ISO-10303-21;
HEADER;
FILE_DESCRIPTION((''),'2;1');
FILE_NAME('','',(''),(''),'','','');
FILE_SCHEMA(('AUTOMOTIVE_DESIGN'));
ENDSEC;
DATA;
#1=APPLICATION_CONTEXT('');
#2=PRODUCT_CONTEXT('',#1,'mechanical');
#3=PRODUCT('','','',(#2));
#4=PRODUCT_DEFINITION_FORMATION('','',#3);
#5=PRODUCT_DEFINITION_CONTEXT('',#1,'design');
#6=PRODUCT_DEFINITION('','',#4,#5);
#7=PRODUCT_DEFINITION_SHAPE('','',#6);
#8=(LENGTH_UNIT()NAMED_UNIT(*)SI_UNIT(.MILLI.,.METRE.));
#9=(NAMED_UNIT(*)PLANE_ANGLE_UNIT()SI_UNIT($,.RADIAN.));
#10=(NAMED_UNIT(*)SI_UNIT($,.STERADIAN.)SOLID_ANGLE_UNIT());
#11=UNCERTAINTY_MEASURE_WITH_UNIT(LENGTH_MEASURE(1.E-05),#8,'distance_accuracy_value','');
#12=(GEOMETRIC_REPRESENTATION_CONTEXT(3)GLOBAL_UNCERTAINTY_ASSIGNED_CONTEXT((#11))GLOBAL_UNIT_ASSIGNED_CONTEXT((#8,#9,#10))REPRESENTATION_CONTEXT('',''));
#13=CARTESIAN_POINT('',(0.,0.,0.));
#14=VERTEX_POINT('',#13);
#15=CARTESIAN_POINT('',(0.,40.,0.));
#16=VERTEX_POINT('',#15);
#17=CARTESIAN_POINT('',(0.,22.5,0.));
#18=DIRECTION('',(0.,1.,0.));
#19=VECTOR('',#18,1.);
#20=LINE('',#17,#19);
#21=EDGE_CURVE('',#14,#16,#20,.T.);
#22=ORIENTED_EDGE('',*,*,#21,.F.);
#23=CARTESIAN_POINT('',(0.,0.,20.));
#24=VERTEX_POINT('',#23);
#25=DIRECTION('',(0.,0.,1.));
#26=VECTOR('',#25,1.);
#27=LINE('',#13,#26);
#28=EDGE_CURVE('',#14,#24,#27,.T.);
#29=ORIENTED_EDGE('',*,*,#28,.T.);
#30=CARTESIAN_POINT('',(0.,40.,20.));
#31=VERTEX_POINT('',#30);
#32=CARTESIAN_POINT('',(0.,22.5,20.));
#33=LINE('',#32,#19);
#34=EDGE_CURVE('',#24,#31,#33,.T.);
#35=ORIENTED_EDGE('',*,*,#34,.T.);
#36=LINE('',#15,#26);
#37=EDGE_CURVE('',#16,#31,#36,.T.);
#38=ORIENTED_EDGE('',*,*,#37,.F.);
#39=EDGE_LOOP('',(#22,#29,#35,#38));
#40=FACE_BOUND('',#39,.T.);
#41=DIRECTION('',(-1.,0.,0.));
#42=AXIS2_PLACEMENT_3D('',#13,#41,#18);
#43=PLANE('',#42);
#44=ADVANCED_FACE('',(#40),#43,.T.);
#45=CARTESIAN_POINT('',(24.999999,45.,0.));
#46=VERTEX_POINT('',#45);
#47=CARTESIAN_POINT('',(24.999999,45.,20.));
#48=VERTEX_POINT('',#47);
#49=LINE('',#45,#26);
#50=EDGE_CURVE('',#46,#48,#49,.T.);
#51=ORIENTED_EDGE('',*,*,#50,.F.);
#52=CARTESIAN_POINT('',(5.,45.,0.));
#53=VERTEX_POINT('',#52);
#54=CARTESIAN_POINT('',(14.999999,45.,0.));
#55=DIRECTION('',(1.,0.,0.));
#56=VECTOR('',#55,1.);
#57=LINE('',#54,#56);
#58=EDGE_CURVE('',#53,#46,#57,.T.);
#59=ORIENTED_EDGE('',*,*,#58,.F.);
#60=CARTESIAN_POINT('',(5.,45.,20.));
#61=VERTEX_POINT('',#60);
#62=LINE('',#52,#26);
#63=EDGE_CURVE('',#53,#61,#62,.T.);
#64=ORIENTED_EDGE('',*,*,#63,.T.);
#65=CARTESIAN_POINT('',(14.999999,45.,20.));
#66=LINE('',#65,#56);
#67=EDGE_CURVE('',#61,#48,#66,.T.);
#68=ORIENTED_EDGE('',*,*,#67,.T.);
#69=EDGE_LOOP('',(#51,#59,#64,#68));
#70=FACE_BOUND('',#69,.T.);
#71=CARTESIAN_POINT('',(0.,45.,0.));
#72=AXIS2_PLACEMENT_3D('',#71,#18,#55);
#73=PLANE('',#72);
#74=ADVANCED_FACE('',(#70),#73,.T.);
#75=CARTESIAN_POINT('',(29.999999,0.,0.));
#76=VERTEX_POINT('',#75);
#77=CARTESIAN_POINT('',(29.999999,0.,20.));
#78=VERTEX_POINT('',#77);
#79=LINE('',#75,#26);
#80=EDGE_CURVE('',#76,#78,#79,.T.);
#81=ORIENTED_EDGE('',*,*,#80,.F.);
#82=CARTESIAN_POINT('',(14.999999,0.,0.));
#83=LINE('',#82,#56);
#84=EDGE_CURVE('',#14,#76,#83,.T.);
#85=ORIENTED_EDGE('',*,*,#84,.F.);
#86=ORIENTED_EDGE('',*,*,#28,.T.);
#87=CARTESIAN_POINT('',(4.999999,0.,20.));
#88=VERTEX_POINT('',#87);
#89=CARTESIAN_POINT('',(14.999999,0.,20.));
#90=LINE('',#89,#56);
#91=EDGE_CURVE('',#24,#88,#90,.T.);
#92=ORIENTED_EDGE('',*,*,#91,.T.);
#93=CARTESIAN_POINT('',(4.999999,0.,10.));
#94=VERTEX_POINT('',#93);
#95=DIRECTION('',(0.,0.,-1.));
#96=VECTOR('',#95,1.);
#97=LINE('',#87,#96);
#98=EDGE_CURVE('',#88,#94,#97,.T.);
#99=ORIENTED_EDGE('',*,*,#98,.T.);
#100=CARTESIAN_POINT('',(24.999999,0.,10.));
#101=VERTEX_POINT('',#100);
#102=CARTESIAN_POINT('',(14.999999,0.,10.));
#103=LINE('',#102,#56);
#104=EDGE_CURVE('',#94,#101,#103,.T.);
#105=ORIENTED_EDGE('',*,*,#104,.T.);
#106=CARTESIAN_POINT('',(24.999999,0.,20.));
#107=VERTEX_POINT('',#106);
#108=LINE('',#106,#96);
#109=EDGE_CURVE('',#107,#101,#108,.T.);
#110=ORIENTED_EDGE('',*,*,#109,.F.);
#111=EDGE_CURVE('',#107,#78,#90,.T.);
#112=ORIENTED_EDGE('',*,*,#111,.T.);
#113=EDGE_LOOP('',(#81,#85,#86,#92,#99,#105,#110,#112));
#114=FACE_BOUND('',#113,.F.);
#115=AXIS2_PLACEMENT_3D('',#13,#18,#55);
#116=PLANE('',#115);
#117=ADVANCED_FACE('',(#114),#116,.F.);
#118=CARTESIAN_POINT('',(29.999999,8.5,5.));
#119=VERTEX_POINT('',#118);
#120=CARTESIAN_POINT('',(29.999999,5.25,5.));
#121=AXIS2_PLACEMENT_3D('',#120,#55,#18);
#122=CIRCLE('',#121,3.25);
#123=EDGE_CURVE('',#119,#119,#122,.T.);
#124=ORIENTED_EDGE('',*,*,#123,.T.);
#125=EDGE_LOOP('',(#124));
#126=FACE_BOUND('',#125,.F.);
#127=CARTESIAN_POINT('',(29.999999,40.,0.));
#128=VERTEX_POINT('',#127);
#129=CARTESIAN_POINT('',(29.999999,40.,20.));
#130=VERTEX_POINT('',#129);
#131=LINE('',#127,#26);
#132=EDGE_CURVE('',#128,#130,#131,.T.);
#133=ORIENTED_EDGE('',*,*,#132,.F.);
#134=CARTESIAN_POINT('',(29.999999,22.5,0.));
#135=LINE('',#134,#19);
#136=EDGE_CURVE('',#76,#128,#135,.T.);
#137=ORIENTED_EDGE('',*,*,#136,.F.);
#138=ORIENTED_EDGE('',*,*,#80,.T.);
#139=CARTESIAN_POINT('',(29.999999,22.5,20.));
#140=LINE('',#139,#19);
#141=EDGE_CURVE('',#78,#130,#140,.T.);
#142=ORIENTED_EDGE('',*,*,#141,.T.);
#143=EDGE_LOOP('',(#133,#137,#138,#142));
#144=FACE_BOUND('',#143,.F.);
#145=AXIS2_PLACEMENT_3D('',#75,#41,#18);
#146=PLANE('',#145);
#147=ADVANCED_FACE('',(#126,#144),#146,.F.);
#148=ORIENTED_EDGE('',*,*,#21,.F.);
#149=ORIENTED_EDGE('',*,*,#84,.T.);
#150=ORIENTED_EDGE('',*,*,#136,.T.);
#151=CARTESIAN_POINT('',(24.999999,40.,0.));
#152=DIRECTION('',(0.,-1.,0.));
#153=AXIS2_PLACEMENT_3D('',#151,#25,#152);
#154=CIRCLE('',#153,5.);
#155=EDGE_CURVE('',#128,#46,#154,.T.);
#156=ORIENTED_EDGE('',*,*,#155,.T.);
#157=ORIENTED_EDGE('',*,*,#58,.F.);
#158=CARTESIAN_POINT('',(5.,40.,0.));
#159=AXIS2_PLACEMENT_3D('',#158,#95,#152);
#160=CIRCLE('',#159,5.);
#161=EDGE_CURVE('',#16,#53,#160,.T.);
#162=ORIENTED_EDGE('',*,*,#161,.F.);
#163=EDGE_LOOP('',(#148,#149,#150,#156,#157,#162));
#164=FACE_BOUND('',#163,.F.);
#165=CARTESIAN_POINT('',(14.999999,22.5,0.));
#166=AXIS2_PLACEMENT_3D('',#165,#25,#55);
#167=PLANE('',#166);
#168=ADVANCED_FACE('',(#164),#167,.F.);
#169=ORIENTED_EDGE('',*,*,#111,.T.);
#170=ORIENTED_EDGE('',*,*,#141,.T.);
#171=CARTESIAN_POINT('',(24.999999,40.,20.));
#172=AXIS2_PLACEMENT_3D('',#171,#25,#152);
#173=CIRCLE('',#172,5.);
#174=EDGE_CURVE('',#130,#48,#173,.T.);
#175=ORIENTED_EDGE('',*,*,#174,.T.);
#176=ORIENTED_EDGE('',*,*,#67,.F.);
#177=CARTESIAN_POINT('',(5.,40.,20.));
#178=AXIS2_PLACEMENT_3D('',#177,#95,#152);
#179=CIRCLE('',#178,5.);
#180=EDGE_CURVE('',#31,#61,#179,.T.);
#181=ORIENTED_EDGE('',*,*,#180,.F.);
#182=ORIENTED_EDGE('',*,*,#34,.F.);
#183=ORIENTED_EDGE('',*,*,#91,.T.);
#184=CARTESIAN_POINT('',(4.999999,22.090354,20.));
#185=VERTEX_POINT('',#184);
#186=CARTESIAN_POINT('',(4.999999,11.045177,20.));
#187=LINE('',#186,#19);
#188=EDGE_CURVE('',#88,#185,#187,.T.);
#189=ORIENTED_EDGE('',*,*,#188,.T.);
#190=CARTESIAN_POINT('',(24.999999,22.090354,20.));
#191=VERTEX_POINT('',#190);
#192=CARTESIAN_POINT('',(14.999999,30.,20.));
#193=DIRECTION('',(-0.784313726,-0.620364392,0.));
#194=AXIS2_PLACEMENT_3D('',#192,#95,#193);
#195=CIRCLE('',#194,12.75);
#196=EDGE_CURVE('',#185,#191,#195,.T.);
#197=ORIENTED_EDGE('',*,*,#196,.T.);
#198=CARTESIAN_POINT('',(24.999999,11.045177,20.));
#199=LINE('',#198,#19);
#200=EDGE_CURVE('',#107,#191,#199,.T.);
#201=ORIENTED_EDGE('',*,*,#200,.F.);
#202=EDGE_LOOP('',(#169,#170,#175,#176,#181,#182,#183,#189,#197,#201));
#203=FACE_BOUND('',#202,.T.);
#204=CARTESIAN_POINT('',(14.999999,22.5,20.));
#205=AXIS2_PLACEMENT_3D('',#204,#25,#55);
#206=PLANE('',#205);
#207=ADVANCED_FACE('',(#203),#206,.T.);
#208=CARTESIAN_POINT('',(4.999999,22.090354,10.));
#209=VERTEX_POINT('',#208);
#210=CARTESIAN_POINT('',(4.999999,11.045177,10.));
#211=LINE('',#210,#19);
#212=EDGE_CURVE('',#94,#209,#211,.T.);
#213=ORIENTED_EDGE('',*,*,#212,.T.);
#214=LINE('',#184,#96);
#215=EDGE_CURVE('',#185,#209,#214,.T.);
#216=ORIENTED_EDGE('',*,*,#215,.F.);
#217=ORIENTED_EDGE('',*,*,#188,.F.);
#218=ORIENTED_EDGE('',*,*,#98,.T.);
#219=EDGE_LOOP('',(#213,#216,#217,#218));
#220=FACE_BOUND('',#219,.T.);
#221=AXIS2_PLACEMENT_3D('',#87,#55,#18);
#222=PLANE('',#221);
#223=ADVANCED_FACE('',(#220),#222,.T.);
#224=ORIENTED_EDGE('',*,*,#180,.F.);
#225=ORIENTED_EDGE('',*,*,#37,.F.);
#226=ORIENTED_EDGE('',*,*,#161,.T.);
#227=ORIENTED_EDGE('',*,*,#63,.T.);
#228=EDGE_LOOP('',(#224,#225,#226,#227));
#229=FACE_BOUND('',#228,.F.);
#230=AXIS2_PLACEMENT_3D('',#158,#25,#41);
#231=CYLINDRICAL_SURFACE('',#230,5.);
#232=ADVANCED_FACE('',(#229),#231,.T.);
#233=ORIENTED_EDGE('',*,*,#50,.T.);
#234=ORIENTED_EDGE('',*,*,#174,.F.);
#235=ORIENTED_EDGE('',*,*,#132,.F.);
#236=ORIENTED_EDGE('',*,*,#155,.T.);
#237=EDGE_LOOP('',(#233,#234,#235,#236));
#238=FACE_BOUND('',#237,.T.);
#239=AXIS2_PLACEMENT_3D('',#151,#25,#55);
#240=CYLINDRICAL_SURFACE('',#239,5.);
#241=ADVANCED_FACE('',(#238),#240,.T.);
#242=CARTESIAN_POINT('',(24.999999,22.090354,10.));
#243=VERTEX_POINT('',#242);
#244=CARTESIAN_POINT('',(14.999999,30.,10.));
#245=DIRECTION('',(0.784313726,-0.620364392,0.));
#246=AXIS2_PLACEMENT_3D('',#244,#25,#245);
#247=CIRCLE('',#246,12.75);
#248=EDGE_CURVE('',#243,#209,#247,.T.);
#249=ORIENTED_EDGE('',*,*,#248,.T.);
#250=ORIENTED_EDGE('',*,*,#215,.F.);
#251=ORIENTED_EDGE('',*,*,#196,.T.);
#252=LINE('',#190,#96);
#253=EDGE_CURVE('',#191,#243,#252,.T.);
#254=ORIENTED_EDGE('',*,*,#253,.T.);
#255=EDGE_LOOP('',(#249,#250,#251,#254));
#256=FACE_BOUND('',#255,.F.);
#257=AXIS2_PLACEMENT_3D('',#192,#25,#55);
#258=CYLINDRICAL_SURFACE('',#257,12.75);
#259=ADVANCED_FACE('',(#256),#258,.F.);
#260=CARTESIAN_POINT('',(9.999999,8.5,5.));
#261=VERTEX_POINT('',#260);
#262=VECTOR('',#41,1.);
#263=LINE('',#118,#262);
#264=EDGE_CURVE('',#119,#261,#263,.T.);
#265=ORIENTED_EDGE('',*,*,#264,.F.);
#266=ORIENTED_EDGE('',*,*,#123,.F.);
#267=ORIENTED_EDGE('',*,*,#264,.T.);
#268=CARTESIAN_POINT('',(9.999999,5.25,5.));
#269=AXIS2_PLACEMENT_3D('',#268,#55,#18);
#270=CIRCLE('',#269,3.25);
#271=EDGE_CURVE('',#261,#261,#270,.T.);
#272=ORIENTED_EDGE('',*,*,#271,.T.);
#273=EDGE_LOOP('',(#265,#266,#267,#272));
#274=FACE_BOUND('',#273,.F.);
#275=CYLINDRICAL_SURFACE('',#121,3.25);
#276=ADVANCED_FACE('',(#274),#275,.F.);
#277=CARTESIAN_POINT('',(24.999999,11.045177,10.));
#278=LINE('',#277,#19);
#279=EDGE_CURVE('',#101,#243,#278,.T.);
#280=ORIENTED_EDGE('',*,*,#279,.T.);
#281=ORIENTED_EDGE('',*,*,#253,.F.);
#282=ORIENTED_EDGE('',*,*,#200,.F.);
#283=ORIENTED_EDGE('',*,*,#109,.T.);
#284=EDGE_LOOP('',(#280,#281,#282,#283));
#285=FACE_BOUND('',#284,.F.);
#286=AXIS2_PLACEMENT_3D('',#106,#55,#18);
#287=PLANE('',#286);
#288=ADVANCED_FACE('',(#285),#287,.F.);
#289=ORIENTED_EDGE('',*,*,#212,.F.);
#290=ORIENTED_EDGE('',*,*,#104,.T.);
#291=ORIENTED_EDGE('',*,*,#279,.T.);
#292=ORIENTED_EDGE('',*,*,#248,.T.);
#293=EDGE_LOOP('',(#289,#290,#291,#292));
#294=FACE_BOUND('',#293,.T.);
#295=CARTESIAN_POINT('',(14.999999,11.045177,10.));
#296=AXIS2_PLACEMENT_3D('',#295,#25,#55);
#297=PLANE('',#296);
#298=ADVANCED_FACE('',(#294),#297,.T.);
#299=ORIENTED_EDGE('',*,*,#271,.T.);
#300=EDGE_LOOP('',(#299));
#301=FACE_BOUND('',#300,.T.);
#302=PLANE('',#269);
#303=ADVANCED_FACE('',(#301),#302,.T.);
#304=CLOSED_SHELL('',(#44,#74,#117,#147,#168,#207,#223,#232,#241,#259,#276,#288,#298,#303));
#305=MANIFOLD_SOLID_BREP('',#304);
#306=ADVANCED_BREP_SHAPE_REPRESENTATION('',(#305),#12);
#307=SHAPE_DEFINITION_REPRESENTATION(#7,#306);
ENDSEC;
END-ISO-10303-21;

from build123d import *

# Parameters (mm, degrees)
F0_W     = 29.999999
F0_H     = 45
F1_DEPTH = 20
F2_R     = 12.75
F3_DEPTH = 10
F4_R     = 3.25
F5_DEPTH = 20
F6_W     = 20
F6_H     = 22.090354
F7_DEPTH = 10
F8_R     = 5


with BuildPart() as f1:
    # F0 (on Top) → F1 (new body)
    with BuildSketch(Plane.XY):
        with Locations((14.999999, 22.5)):
            Rectangle(F0_W, F0_H)
    extrude(amount=F1_DEPTH)

    # F2 (on face) → F3 (cut)
    with BuildSketch(Plane.XY.offset(20)):
        with Locations((14.999999, 30)):
            Circle(F2_R)
    extrude(amount=-F3_DEPTH, mode=Mode.SUBTRACT)

    # F4 (on face) → F5 (cut)
    with BuildSketch(Plane.YZ.offset(29.999999)):
        with Locations((5.25, 5)):
            Circle(F4_R)
    extrude(amount=-F5_DEPTH, mode=Mode.SUBTRACT)

    # F6 (on face) → F7 (cut)
    with BuildSketch(Plane.XY.offset(20)):
        with Locations((14.999999, 11.045177)):
            Rectangle(F6_W, F6_H)
    extrude(amount=-F7_DEPTH, mode=Mode.SUBTRACT)

    # F8
    f8_edges = [f1.edges().sort_by_distance(p)[0] for p in [
        (0, 45, 10),
        (29.999999, 45, 10),
    ]]
    fillet(f8_edges, radius=F8_R)


solid = f1.part
